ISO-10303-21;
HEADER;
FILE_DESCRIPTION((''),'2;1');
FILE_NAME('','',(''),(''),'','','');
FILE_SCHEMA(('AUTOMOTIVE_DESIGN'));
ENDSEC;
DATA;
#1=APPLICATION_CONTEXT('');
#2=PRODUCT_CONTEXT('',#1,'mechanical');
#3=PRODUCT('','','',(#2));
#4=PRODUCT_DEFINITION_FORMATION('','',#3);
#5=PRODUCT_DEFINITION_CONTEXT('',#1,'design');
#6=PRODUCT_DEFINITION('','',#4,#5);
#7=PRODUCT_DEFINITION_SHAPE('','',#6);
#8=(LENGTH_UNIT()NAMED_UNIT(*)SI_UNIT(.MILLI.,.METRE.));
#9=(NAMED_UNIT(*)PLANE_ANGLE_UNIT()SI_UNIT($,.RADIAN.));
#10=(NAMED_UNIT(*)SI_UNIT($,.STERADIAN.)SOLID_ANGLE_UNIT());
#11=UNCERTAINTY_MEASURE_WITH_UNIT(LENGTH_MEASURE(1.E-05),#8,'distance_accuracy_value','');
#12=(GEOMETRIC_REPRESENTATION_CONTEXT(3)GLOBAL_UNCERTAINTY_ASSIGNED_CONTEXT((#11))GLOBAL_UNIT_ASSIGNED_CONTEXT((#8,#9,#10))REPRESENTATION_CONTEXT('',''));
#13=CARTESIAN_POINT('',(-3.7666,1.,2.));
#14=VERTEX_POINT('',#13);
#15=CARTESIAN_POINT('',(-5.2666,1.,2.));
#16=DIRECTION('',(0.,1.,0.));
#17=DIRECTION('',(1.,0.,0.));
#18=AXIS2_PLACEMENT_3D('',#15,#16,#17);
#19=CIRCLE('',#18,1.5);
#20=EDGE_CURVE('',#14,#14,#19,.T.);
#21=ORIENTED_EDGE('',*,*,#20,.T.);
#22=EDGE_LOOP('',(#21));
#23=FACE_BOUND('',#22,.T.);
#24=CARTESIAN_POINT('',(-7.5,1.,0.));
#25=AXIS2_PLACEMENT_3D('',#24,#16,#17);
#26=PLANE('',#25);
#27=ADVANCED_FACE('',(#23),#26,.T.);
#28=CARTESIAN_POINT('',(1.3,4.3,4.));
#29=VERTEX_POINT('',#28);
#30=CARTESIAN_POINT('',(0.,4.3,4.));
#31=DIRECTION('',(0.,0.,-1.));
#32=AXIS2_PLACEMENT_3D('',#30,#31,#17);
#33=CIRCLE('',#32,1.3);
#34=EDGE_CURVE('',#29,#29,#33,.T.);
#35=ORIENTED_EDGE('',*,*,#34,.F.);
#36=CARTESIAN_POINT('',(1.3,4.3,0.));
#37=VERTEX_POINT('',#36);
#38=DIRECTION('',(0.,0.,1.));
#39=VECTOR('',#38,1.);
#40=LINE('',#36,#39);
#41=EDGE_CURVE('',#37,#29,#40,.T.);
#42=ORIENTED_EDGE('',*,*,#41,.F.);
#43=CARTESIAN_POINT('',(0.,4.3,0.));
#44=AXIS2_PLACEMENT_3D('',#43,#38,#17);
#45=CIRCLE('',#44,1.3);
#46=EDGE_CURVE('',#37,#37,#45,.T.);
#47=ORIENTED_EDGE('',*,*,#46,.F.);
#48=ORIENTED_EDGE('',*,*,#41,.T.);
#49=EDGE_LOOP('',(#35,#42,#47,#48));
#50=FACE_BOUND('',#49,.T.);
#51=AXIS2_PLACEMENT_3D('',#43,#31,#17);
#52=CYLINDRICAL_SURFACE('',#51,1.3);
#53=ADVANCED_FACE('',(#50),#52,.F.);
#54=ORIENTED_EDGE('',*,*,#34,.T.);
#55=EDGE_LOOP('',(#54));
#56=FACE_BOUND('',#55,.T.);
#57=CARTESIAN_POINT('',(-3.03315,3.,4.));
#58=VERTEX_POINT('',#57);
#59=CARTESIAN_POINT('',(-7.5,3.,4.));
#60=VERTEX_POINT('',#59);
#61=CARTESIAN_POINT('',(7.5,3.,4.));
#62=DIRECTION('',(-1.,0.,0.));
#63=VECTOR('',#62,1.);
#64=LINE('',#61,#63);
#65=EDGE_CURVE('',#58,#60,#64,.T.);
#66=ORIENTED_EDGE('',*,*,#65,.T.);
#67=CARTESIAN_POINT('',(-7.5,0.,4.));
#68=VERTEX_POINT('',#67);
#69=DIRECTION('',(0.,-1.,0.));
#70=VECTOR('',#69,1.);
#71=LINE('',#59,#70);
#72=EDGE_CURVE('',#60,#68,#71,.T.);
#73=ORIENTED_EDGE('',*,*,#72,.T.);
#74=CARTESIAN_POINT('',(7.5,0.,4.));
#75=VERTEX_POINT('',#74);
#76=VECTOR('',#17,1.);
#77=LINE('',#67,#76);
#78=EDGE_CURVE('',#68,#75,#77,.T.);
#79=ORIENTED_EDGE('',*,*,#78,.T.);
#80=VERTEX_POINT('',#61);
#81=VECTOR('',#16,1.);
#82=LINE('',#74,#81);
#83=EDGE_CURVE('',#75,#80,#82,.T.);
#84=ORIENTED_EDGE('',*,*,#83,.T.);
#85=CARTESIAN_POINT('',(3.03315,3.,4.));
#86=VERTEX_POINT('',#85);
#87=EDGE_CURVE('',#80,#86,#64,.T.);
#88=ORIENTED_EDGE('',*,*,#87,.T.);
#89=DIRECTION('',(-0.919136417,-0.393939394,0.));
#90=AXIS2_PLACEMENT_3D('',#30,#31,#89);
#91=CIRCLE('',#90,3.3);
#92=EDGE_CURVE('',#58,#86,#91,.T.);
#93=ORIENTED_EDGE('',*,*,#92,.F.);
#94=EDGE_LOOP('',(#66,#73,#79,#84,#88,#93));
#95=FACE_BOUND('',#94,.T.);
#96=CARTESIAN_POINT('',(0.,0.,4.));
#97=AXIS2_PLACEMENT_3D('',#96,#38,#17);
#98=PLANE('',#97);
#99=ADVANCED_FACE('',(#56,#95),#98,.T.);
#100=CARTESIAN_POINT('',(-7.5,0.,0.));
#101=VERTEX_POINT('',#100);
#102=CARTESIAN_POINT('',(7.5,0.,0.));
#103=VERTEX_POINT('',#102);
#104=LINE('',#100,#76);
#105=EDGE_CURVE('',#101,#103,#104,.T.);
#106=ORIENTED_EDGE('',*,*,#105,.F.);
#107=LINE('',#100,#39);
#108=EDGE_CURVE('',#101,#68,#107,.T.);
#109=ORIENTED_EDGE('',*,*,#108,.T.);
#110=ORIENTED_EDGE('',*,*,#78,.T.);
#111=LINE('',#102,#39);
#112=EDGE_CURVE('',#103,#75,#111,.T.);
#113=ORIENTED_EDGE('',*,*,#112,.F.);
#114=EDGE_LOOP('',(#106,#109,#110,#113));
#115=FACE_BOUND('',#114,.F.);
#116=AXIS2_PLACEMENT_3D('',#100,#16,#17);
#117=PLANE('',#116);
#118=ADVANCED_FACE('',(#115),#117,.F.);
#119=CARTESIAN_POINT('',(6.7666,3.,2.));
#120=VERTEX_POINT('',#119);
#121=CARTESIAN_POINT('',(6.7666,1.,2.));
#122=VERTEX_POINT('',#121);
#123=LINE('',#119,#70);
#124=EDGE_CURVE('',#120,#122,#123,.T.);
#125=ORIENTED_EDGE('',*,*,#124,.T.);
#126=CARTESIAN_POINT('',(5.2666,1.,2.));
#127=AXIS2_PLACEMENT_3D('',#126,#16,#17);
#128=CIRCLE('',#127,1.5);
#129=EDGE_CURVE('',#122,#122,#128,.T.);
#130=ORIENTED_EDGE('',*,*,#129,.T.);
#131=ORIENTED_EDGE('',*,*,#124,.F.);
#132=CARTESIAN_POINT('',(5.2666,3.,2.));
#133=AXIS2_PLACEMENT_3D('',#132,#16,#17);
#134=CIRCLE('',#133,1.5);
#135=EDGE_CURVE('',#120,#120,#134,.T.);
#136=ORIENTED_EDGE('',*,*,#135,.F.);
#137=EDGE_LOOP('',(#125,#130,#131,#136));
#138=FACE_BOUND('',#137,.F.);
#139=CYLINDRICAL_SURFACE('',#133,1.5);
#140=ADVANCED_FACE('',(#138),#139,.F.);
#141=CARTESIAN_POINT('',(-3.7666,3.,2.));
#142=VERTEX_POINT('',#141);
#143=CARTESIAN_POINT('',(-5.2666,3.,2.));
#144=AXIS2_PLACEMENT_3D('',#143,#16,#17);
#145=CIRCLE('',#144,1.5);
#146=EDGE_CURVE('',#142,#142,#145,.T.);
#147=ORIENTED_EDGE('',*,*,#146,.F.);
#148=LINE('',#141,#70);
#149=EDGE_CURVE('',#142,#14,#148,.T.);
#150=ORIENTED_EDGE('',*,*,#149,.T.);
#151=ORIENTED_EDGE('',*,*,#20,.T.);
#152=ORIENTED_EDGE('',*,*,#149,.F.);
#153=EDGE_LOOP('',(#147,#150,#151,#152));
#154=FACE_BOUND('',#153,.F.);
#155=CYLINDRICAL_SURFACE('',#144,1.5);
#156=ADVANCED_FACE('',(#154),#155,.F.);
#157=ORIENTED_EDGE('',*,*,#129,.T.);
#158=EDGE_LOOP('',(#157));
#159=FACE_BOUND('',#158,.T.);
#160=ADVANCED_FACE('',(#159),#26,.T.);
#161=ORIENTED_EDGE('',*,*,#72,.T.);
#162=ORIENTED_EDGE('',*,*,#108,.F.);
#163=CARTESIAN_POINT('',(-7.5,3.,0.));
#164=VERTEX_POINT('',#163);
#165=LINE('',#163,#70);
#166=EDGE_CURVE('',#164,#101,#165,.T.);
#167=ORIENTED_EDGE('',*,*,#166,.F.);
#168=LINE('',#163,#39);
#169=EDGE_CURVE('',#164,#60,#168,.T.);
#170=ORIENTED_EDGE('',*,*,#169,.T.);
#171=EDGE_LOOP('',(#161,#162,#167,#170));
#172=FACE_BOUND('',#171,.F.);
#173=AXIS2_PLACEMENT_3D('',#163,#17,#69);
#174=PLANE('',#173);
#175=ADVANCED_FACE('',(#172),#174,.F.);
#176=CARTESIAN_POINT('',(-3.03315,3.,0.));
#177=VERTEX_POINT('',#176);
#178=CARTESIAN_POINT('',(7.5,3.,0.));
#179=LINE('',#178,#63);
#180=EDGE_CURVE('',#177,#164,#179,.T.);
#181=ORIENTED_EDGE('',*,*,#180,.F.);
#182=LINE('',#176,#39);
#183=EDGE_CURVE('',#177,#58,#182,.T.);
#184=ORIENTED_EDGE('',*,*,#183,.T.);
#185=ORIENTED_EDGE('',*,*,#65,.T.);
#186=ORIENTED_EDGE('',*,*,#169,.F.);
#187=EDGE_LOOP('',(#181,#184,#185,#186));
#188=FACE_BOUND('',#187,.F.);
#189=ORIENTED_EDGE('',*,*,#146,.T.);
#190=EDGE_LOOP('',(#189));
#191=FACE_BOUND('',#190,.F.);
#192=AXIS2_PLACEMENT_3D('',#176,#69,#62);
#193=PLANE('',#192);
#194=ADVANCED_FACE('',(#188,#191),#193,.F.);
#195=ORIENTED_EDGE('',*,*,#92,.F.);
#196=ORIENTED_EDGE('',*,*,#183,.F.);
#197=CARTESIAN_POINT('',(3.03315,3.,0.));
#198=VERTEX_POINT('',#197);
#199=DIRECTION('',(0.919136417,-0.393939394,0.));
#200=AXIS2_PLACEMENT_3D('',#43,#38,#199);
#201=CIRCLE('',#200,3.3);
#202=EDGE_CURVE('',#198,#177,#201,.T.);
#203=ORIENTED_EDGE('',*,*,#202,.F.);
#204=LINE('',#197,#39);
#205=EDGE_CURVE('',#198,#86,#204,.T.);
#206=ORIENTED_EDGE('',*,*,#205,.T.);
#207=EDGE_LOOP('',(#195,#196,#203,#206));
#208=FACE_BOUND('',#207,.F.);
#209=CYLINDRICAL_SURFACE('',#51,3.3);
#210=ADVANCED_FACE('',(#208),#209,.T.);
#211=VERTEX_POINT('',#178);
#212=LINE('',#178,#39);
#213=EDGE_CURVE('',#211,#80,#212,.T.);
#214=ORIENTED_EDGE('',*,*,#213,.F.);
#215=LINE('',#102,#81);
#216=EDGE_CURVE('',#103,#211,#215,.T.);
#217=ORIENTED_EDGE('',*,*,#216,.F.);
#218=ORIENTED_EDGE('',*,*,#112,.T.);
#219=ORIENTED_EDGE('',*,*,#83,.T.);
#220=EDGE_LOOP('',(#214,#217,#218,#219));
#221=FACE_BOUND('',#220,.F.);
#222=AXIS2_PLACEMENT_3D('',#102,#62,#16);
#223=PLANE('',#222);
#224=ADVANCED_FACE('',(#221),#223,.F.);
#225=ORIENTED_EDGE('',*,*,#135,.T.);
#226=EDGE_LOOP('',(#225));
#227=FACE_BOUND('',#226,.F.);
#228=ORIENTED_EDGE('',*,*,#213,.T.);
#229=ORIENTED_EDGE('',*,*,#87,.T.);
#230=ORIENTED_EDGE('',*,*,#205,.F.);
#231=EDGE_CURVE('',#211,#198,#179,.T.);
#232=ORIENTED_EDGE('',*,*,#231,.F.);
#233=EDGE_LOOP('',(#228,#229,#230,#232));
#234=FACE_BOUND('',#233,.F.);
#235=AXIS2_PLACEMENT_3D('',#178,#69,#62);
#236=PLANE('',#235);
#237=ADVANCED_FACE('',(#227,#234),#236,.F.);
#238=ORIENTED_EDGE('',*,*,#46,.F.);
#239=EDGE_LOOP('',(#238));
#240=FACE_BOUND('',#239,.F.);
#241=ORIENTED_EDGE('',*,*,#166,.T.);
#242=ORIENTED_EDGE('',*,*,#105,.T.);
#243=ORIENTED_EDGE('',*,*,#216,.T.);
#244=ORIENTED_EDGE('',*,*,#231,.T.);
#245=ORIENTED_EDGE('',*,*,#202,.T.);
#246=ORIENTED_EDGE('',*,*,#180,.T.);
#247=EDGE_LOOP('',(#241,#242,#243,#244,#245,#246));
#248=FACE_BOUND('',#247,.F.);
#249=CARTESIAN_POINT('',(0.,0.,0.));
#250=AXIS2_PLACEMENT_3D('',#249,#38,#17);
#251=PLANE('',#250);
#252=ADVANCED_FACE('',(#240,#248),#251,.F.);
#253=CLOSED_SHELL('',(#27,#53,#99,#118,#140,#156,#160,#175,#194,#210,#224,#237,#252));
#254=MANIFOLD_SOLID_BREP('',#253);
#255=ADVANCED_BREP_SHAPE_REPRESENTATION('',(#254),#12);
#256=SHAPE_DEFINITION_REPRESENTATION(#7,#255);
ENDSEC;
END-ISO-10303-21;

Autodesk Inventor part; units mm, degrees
ref_plane "YZ Plane" through (0, 0, 0) normal (1, 0, 0) x (0, 1, 0)
ref_plane "XZ Plane" through (0, 0, 0) normal (0, 1, 0) x (-1, 0, 0)
ref_plane "XY Plane" through (0, 0, 0) normal (0, 0, 1) x (1, 0, 0)
sketch "Эскиз1" plane through (0, 0, 0) normal (0, 0, 1) x (1, 0, 0)
  line L0 (0, 0) -> (0, 3) construction
  line L1 (0, 3) -> (2.6556, 3) construction
  line L2 (0, 3) -> (0, 5.6) construction
  circle A0 centre (0, 4.3) radius 1.3
  circle A1 centre (0, 4.3) radius 3.3
  line L3 (-7.5, 0) -> (7.5, 0)
  line L4 (7.5, 0) -> (7.5, 3)
  line L5 (7.5, 3) -> (-7.5, 3)
  line L6 (-7.5, 3) -> (-7.5, 0)
  line L7 (-7.5, 0) -> (7.5, 3) construction
  line L8 (7.5, 0) -> (-7.5, 3) construction
  point P0 (0, 1.5)
  dimension "d0" = 3
  dimension "d1" = 2.6
  dimension "d2" = 2
  dimension "d3" = 15
  dimension "d4" = 3
extrude "Выдавливание1" add sketch "Эскиз1" along normal blind 4
sketch "Эскиз3" plane through (-7.5, 3, 0) normal (0, 1, 0) x (1, 0, 0)
  line L0 (4.4668, 0) -> (4.4668, -4) projected
  line L1 (4.4668, 0) -> (0, 0) projected
  line L2 (0, 0) -> (0, -4) projected
  line L3 (4.4668, -4) -> (0, -4) projected
  circle A0 centre (2.2334, -2) radius 1.5
  line L4 (10.5332, -4) -> (10.5332, 0) projected
  line L5 (15, -4) -> (10.5332, -4) projected
  line L6 (15, 0) -> (15, -4) projected
  line L7 (15, 0) -> (10.5332, 0) projected
  circle A1 centre (12.7666, -2) radius 1.5
  point P0 (7.5, 0)
  dimension "d10" = 3
  dimension "d11" = 3
extrude "Выдавливание3" cut sketch "Эскиз3" against normal blind 2 contours A0 | A1
properties part number "Mount for exis"
